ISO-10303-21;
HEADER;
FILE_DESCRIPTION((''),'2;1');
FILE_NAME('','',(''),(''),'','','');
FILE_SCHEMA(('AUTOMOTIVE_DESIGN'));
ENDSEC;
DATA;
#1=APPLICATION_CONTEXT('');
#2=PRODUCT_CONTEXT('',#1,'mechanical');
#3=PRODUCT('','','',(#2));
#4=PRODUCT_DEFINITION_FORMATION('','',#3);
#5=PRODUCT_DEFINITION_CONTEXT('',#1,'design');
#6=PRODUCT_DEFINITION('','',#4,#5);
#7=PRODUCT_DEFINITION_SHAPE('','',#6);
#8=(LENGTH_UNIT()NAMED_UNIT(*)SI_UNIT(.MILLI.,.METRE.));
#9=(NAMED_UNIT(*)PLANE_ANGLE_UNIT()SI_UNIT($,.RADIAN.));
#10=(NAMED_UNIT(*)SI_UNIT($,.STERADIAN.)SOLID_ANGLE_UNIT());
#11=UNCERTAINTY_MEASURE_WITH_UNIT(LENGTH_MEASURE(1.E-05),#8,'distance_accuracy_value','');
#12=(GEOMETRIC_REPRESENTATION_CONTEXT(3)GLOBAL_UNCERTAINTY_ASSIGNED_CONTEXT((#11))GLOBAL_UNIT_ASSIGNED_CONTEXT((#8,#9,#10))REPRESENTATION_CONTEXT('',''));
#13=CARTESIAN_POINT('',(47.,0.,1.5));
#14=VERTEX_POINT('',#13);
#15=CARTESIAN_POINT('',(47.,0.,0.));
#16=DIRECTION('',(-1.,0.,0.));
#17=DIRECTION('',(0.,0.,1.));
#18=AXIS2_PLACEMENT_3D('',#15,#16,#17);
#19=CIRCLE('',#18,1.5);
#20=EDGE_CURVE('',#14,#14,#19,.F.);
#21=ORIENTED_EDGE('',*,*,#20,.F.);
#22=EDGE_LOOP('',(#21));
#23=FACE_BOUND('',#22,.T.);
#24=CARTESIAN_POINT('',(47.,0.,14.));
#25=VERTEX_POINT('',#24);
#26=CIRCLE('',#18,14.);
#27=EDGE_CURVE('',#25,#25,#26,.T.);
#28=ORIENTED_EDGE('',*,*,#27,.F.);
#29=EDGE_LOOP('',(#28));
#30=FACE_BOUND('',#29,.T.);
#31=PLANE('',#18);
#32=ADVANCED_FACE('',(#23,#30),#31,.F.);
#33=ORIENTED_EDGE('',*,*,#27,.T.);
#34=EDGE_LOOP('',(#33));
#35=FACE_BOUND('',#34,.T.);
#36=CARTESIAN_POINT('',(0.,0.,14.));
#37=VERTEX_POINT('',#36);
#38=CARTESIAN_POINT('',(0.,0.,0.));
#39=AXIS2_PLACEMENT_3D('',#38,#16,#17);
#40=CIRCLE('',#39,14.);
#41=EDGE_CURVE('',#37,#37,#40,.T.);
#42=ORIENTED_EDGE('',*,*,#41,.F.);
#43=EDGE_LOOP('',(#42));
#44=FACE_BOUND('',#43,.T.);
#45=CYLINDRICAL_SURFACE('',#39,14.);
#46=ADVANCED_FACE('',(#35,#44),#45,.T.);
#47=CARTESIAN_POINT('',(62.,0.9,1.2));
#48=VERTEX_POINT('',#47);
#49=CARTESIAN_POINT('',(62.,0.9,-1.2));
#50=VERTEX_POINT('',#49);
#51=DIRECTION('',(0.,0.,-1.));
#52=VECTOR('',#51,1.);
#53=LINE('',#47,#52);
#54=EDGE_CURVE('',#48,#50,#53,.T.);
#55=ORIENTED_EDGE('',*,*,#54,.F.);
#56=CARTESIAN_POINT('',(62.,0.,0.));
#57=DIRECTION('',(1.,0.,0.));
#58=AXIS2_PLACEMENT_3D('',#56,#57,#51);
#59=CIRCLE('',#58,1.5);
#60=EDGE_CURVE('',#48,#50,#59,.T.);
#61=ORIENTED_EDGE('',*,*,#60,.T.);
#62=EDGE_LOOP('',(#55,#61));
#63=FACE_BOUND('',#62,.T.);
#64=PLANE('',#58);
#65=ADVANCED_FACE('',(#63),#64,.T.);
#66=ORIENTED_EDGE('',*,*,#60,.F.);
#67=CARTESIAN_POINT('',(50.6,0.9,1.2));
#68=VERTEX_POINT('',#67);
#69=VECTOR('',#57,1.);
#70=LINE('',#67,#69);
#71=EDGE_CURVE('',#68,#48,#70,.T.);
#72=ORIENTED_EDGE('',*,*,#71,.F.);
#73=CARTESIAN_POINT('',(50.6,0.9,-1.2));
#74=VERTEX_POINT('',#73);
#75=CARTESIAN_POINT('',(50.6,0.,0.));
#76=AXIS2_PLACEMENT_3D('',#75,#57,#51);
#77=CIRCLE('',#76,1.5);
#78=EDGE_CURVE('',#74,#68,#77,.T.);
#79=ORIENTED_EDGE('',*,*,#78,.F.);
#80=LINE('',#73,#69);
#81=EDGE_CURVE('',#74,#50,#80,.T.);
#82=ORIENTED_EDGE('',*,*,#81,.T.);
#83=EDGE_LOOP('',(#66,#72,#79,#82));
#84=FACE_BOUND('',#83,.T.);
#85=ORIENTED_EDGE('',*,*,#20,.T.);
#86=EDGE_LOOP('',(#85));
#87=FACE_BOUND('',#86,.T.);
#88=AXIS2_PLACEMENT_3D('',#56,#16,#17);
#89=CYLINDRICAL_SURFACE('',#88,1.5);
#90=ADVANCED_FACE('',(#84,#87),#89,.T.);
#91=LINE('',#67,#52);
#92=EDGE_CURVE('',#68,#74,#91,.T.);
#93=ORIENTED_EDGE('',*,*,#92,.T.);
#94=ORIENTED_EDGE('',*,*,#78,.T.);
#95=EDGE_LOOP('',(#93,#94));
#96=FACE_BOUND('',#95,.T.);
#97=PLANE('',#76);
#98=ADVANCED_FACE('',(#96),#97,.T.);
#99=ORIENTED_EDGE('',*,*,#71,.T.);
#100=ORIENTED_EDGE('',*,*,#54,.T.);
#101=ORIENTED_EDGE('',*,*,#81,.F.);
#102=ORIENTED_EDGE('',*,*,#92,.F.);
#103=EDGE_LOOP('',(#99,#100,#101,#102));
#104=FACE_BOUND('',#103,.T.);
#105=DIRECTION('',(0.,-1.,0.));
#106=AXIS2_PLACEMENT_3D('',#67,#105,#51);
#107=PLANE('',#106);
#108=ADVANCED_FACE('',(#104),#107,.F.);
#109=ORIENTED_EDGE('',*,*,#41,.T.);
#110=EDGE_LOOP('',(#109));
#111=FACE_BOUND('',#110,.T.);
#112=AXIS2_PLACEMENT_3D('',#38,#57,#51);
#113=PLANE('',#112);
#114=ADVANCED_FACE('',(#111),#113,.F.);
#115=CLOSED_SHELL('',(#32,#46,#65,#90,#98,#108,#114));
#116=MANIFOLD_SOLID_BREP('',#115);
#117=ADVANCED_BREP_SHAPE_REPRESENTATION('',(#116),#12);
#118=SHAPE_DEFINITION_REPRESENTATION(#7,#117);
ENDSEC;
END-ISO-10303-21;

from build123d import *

# Parameters (mm, degrees)
SKETCH1_W           = 47
SKETCH1_H           = 14
SKETCH2_R           = 1.5
BOSS_EXTRUDE1_DEPTH = 15
CUT_EXTRUDE1_DEPTH  = 11.4


with BuildPart() as part:
    # Sketch1 → Revolve1 (revolve)
    with BuildSketch(Plane.XY):
        with Locations((23.5, 7)):
            Rectangle(SKETCH1_W, SKETCH1_H)
    revolve(axis=Axis((0, 0, 0), (1, 0, 0)))

    # Sketch2 → Boss-Extrude1 (add)
    with BuildSketch(Plane(origin=(47, 0, 0), x_dir=(0, 0, -1), z_dir=(1, 0, 0))):
        Circle(SKETCH2_R)
    extrude(amount=BOSS_EXTRUDE1_DEPTH)

    # Sketch3 → Cut-Extrude1 (cut)
    with BuildSketch(Plane(origin=(62, 0, 0), x_dir=(0, 0, -1), z_dir=(1, 0, 0))):
        with BuildLine():
            Line((-1.2, 0.9), (1.2, 0.9))
            ThreePointArc((1.2, 0.9), (0, 1.5), (-1.2, 0.9))
        make_face()
    extrude(amount=-CUT_EXTRUDE1_DEPTH, mode=Mode.SUBTRACT)


solid = part.part
